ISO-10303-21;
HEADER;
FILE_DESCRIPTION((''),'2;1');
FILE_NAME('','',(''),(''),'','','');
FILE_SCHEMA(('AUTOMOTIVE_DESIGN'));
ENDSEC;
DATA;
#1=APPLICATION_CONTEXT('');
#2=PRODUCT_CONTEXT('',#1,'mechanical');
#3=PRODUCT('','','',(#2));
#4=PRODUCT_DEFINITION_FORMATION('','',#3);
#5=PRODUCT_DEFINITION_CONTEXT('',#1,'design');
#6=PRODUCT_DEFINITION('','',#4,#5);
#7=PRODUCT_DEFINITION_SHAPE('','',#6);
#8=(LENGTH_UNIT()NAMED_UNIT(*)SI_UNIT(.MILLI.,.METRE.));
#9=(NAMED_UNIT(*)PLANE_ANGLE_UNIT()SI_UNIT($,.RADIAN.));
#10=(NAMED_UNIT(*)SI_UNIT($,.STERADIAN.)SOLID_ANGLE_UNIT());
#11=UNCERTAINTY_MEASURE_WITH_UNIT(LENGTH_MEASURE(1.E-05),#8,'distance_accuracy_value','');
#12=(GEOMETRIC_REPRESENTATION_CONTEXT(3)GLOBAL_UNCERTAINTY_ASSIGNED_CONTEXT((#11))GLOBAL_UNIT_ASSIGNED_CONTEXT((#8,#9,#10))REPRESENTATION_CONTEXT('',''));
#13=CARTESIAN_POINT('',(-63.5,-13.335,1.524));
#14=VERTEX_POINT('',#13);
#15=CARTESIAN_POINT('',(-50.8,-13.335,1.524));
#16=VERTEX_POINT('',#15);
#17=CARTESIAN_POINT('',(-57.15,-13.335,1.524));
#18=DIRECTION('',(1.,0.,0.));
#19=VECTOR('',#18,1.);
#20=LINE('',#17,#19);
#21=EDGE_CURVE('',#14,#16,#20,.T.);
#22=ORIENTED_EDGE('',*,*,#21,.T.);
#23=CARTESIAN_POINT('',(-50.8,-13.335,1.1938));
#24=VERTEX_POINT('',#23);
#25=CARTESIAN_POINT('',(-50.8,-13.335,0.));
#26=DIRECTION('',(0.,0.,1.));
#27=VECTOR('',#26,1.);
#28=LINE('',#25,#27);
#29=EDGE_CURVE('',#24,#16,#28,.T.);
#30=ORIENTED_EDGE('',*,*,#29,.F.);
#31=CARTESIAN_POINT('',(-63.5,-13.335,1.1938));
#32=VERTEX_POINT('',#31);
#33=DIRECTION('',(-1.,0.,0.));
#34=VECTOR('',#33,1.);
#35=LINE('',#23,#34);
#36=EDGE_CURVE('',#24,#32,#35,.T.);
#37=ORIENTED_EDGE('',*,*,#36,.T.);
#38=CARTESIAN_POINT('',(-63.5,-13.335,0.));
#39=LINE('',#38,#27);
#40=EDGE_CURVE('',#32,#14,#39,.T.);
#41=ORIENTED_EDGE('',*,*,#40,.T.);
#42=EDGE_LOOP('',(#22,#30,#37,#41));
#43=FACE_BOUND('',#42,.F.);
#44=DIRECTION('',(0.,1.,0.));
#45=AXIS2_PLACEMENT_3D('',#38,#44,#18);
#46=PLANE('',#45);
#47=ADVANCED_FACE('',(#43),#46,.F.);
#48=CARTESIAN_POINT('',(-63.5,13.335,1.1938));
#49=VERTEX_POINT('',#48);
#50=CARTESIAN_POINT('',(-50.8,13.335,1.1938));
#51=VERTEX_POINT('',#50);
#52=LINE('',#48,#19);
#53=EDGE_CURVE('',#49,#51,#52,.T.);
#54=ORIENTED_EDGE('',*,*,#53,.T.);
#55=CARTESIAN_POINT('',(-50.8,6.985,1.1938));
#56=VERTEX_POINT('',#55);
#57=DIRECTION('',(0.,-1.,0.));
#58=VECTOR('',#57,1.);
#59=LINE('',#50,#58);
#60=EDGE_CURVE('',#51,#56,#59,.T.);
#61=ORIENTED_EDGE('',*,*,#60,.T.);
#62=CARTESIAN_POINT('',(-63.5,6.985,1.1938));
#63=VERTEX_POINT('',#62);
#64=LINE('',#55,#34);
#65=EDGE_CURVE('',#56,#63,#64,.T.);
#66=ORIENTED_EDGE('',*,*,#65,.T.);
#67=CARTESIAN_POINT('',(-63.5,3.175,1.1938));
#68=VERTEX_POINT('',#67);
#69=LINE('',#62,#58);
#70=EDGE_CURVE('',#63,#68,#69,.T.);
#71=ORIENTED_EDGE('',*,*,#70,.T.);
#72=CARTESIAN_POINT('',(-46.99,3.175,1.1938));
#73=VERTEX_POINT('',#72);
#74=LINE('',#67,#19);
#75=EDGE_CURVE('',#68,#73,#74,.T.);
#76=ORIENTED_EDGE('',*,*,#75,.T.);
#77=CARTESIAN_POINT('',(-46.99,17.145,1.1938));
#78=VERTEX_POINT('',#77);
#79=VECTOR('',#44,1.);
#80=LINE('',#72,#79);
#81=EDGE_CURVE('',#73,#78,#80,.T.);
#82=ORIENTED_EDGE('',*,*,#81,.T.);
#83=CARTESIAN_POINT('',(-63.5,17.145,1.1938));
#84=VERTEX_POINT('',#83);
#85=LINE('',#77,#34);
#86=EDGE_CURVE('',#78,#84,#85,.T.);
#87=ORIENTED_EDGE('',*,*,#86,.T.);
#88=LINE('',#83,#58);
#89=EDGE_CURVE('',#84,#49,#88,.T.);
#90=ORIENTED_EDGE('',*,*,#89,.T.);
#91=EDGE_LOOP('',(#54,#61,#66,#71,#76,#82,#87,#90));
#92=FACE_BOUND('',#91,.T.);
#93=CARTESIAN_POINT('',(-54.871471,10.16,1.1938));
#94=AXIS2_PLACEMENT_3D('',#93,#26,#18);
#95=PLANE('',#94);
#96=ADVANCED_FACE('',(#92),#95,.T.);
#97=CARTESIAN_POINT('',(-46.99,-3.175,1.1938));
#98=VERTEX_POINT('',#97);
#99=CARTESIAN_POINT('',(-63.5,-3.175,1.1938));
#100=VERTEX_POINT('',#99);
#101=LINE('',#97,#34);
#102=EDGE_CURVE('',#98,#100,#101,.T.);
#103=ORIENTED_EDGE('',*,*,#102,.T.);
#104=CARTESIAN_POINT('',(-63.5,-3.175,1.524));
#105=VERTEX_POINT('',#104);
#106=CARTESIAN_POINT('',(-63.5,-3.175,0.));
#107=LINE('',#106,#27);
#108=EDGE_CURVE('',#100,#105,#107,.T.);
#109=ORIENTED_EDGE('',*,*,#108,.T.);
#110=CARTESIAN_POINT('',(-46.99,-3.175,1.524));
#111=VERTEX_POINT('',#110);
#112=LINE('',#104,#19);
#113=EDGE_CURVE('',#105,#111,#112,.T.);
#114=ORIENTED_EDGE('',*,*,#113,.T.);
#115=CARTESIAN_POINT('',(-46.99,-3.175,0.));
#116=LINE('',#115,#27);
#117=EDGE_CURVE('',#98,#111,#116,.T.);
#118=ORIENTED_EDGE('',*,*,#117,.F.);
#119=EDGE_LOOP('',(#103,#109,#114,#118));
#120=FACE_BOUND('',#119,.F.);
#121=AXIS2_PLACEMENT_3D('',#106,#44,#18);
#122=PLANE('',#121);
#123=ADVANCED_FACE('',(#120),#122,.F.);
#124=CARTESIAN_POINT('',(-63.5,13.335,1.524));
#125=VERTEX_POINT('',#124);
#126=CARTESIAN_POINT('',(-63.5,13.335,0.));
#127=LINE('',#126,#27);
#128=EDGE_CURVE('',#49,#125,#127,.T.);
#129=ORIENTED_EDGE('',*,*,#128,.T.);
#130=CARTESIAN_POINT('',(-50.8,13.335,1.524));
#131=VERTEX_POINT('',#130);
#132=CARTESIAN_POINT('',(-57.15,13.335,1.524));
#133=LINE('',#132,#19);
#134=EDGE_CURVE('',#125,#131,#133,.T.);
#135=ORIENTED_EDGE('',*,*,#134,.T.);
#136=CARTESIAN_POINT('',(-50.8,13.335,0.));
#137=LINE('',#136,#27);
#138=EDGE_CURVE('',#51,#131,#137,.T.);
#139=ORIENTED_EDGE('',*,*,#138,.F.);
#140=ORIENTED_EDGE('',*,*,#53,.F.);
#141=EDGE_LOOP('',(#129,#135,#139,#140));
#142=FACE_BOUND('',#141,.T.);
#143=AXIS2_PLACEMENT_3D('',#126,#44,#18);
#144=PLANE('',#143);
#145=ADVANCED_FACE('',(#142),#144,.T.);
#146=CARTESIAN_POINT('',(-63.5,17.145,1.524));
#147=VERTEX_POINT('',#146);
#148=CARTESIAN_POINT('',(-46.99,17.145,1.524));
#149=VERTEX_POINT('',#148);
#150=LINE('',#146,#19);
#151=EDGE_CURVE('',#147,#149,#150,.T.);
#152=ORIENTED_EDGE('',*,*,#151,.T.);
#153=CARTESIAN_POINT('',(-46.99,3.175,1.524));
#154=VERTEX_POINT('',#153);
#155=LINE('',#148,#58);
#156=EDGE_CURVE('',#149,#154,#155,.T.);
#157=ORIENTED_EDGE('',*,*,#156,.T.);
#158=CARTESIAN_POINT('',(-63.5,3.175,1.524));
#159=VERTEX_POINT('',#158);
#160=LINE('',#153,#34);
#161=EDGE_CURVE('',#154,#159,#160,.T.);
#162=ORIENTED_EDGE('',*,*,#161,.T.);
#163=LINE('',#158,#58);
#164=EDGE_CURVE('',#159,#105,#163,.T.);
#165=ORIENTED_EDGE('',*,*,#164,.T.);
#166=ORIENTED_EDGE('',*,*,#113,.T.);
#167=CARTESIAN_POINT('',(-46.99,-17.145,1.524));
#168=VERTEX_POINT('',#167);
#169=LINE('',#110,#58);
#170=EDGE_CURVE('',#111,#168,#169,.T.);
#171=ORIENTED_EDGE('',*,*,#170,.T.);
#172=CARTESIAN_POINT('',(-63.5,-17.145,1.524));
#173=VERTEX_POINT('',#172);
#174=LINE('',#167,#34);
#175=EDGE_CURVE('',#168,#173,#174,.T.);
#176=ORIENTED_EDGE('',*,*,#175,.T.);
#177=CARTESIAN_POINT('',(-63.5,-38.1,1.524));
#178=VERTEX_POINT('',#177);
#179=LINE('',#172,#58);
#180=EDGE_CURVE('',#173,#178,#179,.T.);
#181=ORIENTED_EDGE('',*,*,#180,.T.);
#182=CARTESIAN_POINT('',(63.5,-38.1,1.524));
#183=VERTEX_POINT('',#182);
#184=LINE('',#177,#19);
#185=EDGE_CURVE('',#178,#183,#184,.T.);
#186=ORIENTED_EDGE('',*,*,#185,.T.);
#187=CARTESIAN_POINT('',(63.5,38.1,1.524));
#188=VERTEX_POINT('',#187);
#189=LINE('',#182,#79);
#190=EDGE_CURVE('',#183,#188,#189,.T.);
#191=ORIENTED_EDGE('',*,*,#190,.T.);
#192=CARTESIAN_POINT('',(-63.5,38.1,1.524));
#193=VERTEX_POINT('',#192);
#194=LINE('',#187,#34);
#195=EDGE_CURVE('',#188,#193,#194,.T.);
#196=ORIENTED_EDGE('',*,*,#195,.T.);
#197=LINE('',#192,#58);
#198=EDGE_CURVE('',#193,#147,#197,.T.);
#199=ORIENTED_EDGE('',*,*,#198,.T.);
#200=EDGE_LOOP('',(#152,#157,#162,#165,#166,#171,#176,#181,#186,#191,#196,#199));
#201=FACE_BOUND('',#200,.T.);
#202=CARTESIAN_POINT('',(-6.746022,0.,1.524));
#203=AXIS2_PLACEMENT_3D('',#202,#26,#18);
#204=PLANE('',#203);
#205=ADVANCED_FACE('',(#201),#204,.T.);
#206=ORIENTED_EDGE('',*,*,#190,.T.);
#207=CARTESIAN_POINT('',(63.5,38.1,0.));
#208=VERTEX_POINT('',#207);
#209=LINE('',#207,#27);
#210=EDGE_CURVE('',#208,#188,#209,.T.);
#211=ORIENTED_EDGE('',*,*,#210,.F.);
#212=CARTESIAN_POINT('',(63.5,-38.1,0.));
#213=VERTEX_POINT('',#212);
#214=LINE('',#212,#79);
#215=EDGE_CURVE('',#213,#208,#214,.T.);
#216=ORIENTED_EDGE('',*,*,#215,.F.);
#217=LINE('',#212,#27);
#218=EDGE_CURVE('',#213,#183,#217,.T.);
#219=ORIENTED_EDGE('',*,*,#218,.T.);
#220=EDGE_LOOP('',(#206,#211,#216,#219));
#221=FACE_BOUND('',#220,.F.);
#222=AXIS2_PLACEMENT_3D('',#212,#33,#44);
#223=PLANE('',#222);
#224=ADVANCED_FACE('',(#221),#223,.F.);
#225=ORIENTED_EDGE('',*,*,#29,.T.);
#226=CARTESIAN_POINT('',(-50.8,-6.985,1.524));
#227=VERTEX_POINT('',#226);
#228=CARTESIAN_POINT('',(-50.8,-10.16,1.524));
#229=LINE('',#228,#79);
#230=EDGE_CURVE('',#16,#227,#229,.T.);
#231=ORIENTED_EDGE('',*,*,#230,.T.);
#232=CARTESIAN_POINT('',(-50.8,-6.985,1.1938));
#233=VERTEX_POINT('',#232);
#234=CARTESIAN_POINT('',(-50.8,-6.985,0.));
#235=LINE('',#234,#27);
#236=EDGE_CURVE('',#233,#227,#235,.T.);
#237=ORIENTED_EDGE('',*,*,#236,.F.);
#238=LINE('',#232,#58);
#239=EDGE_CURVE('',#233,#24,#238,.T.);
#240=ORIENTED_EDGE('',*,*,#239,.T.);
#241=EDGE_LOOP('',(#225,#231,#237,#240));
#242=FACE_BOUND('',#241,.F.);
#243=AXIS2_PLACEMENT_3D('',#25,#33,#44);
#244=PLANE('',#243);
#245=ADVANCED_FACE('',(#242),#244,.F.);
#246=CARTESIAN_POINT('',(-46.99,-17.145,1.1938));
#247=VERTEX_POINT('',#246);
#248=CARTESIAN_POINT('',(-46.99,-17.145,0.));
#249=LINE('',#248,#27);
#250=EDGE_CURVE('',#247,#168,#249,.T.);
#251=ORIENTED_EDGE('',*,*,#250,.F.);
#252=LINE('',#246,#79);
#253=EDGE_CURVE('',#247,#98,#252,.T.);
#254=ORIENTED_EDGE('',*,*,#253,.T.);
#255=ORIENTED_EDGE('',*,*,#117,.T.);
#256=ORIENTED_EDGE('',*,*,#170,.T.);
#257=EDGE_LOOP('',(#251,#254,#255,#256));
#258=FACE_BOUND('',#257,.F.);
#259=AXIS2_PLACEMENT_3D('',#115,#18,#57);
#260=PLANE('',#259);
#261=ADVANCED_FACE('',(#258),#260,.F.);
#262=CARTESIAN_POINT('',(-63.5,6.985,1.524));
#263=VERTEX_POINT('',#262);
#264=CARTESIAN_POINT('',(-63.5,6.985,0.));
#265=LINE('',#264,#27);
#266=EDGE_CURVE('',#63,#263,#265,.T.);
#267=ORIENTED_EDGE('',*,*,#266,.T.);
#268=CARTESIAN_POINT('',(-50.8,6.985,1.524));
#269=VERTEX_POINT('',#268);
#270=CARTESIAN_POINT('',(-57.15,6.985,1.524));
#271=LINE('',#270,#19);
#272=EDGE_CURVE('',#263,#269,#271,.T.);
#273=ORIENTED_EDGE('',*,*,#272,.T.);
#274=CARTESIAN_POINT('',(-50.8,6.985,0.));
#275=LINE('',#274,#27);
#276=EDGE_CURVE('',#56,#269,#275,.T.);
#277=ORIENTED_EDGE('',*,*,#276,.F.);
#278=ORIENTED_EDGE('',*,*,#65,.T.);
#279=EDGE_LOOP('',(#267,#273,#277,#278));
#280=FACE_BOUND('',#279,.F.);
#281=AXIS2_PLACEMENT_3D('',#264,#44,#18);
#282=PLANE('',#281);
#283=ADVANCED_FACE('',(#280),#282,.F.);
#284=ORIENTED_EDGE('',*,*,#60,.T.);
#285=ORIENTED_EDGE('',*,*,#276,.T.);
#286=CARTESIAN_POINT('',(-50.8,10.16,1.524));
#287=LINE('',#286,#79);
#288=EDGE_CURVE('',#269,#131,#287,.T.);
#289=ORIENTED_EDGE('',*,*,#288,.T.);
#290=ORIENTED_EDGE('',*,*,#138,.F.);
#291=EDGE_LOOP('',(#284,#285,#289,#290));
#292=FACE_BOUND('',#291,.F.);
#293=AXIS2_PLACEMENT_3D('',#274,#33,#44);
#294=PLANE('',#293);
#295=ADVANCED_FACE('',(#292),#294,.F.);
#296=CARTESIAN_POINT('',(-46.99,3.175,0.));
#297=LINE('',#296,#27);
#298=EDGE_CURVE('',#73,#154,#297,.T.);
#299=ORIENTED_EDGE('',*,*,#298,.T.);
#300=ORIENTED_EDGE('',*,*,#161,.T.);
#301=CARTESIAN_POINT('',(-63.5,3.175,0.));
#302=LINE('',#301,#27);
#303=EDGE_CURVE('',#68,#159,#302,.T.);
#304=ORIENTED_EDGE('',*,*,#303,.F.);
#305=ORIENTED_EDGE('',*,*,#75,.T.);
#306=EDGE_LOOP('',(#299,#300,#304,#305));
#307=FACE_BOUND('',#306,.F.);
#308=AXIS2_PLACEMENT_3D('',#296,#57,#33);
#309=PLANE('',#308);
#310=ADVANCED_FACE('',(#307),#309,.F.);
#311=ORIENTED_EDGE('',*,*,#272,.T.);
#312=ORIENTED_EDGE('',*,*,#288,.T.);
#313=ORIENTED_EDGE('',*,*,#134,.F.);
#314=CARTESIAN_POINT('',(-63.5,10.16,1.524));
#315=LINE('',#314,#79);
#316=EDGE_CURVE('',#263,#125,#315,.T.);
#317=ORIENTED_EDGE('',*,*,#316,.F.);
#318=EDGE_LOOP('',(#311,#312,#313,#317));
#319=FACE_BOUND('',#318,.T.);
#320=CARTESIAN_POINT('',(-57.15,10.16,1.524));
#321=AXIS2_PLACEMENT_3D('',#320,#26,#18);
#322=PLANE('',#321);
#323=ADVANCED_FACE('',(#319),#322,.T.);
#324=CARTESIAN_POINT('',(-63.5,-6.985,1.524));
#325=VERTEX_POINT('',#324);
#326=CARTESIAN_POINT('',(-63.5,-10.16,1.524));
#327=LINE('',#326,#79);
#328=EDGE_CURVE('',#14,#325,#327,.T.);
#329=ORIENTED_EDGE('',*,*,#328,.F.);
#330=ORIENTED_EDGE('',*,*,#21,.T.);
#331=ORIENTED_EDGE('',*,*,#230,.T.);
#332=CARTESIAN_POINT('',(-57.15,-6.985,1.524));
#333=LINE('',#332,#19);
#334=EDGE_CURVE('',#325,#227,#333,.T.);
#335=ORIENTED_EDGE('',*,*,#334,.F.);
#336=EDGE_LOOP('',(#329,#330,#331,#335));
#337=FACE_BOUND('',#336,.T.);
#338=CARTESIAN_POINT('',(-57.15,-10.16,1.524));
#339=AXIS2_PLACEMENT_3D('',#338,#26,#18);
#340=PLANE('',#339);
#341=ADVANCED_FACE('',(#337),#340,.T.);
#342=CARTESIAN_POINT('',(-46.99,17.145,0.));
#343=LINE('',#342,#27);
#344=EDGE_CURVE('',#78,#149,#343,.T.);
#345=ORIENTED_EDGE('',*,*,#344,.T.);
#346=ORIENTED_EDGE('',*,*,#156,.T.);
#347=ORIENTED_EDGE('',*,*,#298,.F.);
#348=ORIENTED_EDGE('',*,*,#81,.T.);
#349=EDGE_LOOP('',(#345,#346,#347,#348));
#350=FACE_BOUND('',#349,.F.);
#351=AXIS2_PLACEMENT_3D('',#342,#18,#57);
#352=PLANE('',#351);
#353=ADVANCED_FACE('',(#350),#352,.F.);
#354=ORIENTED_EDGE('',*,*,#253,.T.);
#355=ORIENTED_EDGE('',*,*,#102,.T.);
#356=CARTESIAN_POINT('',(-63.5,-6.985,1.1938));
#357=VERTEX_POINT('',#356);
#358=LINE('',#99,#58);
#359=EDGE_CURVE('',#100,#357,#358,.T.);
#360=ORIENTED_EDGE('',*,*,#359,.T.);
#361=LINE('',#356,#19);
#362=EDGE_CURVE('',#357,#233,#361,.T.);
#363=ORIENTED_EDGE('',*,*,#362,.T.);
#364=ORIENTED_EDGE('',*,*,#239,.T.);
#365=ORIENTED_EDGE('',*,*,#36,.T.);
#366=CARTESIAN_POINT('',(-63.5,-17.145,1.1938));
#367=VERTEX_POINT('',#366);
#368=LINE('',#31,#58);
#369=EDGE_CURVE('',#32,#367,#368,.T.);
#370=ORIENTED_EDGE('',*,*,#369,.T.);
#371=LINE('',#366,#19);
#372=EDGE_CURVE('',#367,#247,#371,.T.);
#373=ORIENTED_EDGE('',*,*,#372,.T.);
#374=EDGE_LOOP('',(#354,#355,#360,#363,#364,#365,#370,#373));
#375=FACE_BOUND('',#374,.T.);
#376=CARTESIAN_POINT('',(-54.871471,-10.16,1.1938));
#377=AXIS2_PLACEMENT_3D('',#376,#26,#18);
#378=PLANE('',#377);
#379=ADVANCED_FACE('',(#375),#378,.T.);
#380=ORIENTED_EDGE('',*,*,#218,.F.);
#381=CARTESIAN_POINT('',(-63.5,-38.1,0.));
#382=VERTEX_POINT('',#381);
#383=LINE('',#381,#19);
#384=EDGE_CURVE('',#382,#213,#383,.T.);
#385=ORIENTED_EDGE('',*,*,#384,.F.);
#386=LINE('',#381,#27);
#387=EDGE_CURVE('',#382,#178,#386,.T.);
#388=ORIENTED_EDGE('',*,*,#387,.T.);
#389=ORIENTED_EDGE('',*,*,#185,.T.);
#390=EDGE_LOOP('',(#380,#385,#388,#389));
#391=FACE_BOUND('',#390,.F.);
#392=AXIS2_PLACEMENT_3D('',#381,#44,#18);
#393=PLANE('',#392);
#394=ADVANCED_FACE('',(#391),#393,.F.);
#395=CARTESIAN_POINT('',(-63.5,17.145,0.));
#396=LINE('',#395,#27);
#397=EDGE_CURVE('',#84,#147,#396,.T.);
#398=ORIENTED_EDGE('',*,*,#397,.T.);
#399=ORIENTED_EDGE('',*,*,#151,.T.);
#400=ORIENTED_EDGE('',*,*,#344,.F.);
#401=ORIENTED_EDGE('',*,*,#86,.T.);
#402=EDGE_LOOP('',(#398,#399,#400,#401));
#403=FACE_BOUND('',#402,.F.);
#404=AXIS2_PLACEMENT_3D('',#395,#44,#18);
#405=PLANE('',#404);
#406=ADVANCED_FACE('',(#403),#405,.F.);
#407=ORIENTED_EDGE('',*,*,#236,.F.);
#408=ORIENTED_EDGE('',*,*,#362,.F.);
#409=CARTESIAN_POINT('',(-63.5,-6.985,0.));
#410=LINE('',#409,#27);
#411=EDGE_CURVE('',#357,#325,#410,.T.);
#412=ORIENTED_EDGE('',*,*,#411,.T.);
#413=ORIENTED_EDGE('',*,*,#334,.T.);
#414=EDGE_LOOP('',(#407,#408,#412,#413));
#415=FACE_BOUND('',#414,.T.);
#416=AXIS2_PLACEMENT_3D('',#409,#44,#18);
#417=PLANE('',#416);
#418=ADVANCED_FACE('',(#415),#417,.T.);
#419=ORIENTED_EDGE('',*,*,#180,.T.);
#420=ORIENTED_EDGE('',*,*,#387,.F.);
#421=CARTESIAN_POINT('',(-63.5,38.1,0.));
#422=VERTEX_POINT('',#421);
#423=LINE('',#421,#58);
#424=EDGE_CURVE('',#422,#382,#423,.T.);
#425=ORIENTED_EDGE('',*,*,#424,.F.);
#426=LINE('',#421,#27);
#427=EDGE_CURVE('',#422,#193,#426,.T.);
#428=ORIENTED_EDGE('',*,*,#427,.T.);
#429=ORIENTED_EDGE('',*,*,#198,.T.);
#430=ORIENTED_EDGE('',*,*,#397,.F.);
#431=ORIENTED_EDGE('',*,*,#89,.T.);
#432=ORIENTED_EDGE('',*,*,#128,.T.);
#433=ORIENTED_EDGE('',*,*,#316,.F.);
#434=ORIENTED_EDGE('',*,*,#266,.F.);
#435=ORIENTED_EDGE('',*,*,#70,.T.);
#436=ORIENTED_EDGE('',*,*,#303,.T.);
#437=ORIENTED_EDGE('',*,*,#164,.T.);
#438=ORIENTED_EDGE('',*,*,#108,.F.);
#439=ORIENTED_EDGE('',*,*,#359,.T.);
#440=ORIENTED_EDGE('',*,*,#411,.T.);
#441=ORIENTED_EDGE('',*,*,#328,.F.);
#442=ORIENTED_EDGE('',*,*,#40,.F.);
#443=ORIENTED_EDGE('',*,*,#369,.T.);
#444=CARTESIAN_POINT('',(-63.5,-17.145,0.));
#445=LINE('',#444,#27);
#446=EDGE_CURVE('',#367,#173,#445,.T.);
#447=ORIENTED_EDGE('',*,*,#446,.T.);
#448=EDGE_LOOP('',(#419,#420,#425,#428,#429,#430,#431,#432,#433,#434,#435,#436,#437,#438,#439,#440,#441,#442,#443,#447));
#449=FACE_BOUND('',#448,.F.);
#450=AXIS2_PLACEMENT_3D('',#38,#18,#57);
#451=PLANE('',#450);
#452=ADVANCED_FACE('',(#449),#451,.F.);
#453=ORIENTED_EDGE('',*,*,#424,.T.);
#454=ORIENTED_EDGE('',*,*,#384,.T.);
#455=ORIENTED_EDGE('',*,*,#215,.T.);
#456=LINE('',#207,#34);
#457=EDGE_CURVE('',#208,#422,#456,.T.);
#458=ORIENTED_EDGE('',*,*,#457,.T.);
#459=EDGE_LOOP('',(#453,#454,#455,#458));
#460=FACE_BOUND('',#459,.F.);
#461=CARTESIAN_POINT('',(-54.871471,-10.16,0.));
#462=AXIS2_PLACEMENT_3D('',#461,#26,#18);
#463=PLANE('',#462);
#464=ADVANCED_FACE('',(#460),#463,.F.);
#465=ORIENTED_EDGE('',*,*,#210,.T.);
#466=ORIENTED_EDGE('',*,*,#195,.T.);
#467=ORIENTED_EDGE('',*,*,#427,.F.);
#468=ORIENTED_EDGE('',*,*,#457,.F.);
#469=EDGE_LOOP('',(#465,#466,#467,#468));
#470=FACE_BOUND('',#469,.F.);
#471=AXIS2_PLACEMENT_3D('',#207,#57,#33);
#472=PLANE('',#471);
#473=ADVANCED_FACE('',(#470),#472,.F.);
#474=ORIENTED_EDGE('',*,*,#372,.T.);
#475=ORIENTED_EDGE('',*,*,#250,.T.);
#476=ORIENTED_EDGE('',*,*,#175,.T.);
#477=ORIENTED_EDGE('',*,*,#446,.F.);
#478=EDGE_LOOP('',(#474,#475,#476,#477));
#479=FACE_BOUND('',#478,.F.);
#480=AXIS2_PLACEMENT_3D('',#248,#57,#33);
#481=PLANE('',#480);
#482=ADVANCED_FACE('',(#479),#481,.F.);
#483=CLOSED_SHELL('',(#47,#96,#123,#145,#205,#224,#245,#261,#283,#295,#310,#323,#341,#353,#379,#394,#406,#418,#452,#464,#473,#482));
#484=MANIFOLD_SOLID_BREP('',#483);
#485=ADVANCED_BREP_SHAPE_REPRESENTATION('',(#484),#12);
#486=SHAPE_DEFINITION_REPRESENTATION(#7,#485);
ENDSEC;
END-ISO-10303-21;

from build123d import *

# Parameters (mm, degrees)
F0_W     = 12.7
F0_H     = 6.35
F1_DEPTH = 1.524
F2_DEPTH = 1.1938


with BuildPart() as f1:
    # F0 (on Top) → F1 (new body)
    with BuildSketch(Plane.XY):
        Polygon((-63.5, -38.1), (63.5, -38.1), (63.5, 38.1), (-63.5, 38.1), (-63.5, 17.145), (-46.99, 17.145), (-46.99, 3.175), (-63.5, 3.175), (-63.5, -3.175), (-46.99, -3.175), (-46.99, -17.145), (-63.5, -17.145), align=None)
        with Locations((-57.15, -10.16)):
            Rectangle(F0_W, F0_H)
        with Locations((-57.15, 10.16)):
            Rectangle(F0_W, F0_H)
    extrude(amount=F1_DEPTH)

    # F0 (on Top) → F2 (join)
    with BuildSketch(Plane.XY):
        Polygon((-63.5, -13.335), (-63.5, -17.145), (-46.99, -17.145), (-46.99, -3.175), (-63.5, -3.175), (-63.5, -6.985), (-50.8, -6.985), (-50.8, -13.335), align=None)
        Polygon((-46.99, 17.145), (-63.5, 17.145), (-63.5, 13.335), (-50.8, 13.335), (-50.8, 6.985), (-63.5, 6.985), (-63.5, 3.175), (-46.99, 3.175), align=None)
    extrude(amount=F2_DEPTH)


solid = f1.part
